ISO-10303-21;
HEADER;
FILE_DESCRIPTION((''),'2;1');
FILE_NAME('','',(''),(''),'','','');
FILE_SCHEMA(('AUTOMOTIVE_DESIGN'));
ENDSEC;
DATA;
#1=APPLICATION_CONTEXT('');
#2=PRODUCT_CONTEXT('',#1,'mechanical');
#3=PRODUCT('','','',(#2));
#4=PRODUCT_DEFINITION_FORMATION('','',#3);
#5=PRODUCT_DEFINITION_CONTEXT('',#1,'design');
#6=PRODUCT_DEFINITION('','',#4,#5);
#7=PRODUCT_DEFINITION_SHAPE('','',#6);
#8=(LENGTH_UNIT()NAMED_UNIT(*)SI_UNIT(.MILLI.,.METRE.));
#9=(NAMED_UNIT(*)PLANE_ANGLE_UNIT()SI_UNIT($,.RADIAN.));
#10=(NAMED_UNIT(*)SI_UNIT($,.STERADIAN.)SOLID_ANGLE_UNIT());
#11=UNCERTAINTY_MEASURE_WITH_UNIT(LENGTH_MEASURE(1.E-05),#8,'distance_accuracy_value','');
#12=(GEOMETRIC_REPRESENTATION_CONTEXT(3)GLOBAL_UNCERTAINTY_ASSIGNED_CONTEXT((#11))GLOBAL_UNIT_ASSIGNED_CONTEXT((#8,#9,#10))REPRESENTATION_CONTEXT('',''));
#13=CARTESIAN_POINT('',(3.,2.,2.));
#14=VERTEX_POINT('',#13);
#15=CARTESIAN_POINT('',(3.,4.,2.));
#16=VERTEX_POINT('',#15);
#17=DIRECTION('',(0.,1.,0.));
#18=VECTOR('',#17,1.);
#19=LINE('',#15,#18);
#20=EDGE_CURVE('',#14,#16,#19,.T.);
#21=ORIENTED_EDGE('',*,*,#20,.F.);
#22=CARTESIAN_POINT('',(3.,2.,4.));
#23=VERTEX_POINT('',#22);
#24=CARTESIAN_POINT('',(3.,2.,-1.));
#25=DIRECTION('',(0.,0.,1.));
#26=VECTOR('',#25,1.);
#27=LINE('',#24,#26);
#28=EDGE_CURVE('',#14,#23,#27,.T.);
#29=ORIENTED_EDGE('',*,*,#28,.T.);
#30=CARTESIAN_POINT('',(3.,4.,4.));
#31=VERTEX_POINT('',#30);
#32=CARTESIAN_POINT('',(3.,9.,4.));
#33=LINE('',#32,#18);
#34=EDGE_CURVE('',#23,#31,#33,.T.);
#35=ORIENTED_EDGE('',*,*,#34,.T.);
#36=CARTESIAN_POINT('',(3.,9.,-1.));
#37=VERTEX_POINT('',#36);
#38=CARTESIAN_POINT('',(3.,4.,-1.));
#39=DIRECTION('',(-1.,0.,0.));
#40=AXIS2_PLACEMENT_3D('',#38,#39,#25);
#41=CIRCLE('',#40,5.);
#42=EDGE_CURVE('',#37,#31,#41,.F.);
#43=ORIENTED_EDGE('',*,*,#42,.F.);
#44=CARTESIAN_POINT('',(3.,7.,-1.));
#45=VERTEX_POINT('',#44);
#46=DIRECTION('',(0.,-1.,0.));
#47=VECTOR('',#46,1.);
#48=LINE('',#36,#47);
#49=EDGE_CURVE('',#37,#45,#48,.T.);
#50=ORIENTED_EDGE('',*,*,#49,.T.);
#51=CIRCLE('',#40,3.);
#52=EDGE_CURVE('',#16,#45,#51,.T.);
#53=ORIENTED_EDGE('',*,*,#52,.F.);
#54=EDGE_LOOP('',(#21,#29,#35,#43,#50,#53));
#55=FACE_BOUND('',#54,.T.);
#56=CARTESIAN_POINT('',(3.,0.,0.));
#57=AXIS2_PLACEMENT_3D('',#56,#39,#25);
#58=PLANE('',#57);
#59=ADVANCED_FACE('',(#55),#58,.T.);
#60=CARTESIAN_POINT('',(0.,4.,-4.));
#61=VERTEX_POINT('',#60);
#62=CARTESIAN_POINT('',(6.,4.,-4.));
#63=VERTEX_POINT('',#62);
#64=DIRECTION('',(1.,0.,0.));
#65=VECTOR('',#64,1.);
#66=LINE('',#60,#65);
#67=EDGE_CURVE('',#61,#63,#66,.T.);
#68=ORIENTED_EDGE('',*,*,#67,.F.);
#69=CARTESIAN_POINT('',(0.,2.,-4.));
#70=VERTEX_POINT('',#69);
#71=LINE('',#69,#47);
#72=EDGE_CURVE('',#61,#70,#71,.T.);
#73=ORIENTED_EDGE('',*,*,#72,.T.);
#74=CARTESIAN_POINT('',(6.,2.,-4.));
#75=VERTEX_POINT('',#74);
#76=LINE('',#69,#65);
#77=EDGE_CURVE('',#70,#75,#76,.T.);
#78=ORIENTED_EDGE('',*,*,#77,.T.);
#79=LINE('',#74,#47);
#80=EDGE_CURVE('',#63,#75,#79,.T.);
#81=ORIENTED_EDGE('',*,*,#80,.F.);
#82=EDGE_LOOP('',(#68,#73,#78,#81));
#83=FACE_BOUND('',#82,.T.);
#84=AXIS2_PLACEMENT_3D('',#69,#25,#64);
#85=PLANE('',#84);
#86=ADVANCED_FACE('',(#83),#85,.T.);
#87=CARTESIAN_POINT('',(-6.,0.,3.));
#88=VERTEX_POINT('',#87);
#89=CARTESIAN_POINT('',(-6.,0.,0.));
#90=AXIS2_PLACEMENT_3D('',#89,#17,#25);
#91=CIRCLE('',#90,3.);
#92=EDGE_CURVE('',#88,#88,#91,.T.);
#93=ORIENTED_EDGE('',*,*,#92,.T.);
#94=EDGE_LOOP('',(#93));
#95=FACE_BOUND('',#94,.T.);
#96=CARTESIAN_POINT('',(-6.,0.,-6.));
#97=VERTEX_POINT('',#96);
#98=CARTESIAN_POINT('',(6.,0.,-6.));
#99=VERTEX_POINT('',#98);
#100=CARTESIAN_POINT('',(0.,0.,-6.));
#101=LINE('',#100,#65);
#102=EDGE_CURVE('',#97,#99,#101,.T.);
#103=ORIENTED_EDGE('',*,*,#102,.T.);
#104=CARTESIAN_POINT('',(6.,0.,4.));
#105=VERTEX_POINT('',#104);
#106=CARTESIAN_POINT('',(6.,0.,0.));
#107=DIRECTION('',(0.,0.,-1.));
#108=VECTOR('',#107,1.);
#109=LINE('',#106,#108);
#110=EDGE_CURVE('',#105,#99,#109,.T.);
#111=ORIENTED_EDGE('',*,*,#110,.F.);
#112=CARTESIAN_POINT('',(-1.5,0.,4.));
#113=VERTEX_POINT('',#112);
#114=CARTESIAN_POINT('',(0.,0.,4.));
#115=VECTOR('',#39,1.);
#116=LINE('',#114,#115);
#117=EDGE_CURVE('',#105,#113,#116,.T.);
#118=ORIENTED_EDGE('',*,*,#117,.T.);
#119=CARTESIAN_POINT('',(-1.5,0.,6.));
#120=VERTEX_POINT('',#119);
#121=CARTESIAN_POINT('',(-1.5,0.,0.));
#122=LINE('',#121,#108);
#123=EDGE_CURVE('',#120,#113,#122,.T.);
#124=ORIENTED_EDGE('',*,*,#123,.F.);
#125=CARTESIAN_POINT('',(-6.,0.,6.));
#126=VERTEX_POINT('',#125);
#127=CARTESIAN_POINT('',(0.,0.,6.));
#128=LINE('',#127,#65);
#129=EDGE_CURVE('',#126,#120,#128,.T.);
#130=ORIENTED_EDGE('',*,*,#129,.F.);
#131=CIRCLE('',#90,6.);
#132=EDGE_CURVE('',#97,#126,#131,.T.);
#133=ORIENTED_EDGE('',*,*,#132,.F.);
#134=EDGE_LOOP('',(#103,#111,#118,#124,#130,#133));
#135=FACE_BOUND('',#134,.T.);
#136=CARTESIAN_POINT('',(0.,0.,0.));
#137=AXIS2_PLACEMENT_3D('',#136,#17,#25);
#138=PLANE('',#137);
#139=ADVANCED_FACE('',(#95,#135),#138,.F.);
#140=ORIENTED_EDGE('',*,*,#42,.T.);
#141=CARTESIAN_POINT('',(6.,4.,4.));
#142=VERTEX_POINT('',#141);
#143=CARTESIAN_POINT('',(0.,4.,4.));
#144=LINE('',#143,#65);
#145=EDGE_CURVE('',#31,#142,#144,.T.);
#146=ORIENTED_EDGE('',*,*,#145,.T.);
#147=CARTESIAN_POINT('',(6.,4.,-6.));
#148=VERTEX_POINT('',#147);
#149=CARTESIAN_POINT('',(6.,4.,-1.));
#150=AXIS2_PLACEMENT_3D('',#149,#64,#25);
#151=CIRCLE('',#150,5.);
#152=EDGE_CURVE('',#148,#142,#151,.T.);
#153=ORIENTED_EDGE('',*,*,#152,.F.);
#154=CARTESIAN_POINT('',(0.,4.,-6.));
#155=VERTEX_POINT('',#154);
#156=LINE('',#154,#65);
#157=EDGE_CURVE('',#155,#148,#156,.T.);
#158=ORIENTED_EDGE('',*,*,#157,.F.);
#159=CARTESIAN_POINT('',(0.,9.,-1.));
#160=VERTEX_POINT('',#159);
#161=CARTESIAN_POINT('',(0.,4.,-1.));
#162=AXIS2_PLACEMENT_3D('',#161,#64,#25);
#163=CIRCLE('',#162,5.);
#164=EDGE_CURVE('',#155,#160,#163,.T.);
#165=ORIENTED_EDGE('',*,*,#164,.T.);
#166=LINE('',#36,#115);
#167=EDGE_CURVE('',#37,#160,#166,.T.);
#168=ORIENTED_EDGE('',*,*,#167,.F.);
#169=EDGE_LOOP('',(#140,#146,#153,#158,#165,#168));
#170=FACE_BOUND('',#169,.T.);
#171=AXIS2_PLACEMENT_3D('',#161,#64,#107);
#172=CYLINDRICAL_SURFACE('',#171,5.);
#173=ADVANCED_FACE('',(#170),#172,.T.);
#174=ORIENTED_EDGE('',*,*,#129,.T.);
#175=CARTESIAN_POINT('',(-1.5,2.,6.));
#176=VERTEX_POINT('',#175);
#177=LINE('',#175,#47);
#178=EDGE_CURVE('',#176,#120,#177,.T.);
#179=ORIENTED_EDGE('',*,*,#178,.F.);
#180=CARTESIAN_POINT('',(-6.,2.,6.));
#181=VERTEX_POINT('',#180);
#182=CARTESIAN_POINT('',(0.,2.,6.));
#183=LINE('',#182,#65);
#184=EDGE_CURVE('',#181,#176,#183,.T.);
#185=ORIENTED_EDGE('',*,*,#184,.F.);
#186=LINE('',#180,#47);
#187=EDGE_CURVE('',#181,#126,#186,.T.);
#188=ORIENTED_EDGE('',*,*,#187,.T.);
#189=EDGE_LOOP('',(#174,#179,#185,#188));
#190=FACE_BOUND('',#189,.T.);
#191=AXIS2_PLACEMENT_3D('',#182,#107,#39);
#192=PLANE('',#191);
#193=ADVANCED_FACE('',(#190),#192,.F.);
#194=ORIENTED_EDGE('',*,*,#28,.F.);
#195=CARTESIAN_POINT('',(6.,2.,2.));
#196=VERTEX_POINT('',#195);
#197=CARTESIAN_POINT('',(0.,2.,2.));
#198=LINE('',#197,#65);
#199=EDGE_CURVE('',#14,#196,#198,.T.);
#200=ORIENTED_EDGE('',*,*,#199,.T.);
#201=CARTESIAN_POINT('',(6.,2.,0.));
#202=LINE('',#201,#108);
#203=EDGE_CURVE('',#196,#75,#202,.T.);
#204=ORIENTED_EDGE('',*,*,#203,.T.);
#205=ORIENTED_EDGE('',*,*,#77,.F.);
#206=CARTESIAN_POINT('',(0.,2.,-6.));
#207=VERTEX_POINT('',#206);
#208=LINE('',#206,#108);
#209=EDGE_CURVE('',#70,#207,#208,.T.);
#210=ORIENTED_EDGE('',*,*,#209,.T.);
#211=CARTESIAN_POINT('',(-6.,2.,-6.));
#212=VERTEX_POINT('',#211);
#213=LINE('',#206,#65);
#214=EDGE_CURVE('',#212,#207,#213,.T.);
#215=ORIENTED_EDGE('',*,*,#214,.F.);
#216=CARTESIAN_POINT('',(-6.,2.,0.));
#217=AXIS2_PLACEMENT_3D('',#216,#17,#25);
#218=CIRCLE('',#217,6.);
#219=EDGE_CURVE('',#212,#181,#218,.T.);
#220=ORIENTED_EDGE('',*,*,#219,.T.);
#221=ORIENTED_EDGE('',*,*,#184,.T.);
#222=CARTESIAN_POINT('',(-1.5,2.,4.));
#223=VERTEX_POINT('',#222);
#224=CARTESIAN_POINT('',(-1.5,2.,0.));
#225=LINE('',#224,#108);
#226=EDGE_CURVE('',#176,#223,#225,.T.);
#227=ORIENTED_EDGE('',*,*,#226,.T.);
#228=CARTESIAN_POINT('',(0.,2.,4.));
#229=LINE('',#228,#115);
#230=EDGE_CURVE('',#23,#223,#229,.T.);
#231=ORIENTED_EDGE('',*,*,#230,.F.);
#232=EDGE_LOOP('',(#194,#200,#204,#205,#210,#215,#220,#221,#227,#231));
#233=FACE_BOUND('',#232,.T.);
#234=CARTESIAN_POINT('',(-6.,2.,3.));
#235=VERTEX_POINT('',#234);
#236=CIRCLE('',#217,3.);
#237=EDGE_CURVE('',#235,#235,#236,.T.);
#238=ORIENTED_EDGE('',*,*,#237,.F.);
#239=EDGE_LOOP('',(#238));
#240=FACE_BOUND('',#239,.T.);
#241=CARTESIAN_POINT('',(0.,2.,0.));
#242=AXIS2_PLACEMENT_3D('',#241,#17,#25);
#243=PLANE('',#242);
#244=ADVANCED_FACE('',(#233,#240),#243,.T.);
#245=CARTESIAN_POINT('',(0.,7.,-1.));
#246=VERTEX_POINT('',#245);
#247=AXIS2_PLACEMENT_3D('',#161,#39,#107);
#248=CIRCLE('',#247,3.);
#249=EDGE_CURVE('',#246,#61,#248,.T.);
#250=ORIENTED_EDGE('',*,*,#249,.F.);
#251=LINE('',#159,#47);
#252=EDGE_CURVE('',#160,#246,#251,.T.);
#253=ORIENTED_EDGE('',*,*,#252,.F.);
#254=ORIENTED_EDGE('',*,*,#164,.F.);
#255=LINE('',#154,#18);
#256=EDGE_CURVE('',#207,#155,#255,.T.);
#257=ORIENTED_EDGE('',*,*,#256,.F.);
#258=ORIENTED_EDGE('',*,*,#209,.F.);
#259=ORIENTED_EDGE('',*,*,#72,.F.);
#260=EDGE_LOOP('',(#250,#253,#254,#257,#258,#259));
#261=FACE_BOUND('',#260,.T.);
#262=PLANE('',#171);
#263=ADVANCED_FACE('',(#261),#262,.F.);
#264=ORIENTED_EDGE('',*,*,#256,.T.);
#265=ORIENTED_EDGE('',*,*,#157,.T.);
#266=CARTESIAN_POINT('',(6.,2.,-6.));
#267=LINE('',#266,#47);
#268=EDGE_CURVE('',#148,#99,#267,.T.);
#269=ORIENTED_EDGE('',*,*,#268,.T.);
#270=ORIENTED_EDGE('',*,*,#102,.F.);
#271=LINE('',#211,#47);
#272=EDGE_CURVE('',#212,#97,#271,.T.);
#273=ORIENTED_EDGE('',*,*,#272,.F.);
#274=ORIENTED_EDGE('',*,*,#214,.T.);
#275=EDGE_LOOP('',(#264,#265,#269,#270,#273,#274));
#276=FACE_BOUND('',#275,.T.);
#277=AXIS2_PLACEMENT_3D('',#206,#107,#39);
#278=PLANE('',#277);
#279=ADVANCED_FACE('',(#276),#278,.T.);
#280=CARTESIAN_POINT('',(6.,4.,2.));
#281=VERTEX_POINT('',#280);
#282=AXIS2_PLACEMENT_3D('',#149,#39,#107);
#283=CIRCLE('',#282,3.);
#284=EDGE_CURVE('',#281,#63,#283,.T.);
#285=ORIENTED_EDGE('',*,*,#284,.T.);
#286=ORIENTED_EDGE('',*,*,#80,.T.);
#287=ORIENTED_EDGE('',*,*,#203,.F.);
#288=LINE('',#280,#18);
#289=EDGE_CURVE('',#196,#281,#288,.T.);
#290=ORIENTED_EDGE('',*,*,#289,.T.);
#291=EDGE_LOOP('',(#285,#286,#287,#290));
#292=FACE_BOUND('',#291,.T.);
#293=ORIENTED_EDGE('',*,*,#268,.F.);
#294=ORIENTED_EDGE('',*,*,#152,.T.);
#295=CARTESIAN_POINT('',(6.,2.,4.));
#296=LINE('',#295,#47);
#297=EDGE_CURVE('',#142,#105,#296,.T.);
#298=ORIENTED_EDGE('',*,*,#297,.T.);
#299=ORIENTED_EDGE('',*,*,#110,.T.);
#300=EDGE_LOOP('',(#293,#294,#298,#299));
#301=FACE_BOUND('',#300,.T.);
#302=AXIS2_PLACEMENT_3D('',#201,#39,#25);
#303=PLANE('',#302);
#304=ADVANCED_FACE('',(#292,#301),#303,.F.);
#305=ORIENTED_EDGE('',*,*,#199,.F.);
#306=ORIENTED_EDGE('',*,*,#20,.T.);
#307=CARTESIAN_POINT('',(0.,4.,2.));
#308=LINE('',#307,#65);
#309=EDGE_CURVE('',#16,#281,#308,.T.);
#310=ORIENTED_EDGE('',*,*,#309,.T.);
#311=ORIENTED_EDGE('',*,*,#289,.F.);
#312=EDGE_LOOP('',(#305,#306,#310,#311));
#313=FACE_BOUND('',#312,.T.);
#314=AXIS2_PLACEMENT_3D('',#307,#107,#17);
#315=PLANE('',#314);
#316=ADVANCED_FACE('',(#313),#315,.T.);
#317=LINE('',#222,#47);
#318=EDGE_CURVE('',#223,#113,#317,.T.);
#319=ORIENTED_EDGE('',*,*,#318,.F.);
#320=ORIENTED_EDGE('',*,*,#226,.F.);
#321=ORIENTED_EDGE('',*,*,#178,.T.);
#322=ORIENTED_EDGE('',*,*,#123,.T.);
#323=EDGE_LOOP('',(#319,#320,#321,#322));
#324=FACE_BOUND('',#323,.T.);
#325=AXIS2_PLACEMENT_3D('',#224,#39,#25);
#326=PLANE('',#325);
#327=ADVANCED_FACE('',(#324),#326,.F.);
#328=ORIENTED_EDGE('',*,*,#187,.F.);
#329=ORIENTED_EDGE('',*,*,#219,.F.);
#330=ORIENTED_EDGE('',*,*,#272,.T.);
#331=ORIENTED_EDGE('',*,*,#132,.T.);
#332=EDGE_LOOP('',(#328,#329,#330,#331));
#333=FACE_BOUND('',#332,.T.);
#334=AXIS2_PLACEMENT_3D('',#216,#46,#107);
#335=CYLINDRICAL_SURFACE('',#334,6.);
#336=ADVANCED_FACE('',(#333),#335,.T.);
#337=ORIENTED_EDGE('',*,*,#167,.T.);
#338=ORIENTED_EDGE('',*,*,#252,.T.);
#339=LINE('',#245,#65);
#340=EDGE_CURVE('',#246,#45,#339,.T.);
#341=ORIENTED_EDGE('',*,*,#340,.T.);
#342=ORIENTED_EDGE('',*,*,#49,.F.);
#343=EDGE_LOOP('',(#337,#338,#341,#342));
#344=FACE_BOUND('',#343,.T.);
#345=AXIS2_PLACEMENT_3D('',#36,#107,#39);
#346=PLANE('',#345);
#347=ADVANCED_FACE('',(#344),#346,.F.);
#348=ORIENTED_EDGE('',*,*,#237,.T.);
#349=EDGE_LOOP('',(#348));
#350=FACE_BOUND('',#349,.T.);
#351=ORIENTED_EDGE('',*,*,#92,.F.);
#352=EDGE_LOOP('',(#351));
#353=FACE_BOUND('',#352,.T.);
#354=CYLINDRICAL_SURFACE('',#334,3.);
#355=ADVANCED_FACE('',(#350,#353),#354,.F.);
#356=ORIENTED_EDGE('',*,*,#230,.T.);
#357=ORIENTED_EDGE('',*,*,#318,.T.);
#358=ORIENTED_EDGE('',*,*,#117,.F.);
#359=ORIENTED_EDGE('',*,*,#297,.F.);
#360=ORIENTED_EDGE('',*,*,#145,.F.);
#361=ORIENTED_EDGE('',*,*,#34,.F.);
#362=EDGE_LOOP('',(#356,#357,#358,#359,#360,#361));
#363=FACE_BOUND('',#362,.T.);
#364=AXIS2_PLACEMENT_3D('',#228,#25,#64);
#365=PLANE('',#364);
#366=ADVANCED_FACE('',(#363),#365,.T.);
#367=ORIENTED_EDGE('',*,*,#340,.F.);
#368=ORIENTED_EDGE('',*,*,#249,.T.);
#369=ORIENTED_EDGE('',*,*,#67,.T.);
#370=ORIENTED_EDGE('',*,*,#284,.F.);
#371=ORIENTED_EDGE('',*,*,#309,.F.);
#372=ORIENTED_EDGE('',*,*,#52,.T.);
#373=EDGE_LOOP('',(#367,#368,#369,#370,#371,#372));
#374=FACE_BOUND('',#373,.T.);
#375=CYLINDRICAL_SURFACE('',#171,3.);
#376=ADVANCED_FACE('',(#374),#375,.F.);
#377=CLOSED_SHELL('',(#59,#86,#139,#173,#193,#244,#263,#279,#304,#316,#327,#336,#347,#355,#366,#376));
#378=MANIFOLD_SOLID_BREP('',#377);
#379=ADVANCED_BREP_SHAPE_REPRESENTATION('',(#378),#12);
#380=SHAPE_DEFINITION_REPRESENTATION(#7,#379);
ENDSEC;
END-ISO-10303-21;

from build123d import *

# Parameters (mm, degrees)
SKETCH1_R           = 3
BOSS_EXTRUDE1_DEPTH = 2
BOSS_EXTRUDE2_DEPTH = 6
SKETCH3_W           = 5
SKETCH3_H           = 7
CUT_EXTRUDE1_DEPTH  = 3


with BuildPart() as part:
    # Sketch1 → Boss-Extrude1 (new body)
    with BuildSketch(Plane(origin=(0, 0, 0), x_dir=(1, 0, 0), z_dir=(0, 1, 0))):
        with BuildLine():
            Line((6, 6), (-6, 6))
            ThreePointArc((-6, 6), (-12, 0), (-6, -6))
            Line((-6, -6), (-1.5, -6))
            Line((-1.5, -6), (-1.5, -4))
            Line((-1.5, -4), (6, -4))
            Line((6, -4), (6, 6))
        make_face()
        with Locations((-6, 0)):
            Circle(SKETCH1_R, mode=Mode.SUBTRACT)
    extrude(amount=BOSS_EXTRUDE1_DEPTH)

    # Sketch2 → Boss-Extrude2 (add)
    with BuildSketch(Plane(origin=(6, 0, 0), x_dir=(0, 0, -1), z_dir=(1, 0, 0))):
        with BuildLine():
            Line((4, 2), (4, 4))
            ThreePointArc((4, 4), (1, 7), (-2, 4))
            Line((-2, 4), (-2, 2))
            Line((-2, 2), (-4, 2))
            Line((-4, 2), (-4, 4))
            ThreePointArc((-4, 4), (1, 9), (6, 4))
            Line((6, 4), (6, 2))
            Line((6, 2), (4, 2))
        make_face()
    extrude(amount=-BOSS_EXTRUDE2_DEPTH)

    # Sketch3 → Cut-Extrude1 (cut)
    with BuildSketch(Plane.ZY):
        with Locations((1.5, 5.5)):
            Rectangle(SKETCH3_W, SKETCH3_H)
    extrude(amount=-CUT_EXTRUDE1_DEPTH, mode=Mode.SUBTRACT)


solid = part.part
